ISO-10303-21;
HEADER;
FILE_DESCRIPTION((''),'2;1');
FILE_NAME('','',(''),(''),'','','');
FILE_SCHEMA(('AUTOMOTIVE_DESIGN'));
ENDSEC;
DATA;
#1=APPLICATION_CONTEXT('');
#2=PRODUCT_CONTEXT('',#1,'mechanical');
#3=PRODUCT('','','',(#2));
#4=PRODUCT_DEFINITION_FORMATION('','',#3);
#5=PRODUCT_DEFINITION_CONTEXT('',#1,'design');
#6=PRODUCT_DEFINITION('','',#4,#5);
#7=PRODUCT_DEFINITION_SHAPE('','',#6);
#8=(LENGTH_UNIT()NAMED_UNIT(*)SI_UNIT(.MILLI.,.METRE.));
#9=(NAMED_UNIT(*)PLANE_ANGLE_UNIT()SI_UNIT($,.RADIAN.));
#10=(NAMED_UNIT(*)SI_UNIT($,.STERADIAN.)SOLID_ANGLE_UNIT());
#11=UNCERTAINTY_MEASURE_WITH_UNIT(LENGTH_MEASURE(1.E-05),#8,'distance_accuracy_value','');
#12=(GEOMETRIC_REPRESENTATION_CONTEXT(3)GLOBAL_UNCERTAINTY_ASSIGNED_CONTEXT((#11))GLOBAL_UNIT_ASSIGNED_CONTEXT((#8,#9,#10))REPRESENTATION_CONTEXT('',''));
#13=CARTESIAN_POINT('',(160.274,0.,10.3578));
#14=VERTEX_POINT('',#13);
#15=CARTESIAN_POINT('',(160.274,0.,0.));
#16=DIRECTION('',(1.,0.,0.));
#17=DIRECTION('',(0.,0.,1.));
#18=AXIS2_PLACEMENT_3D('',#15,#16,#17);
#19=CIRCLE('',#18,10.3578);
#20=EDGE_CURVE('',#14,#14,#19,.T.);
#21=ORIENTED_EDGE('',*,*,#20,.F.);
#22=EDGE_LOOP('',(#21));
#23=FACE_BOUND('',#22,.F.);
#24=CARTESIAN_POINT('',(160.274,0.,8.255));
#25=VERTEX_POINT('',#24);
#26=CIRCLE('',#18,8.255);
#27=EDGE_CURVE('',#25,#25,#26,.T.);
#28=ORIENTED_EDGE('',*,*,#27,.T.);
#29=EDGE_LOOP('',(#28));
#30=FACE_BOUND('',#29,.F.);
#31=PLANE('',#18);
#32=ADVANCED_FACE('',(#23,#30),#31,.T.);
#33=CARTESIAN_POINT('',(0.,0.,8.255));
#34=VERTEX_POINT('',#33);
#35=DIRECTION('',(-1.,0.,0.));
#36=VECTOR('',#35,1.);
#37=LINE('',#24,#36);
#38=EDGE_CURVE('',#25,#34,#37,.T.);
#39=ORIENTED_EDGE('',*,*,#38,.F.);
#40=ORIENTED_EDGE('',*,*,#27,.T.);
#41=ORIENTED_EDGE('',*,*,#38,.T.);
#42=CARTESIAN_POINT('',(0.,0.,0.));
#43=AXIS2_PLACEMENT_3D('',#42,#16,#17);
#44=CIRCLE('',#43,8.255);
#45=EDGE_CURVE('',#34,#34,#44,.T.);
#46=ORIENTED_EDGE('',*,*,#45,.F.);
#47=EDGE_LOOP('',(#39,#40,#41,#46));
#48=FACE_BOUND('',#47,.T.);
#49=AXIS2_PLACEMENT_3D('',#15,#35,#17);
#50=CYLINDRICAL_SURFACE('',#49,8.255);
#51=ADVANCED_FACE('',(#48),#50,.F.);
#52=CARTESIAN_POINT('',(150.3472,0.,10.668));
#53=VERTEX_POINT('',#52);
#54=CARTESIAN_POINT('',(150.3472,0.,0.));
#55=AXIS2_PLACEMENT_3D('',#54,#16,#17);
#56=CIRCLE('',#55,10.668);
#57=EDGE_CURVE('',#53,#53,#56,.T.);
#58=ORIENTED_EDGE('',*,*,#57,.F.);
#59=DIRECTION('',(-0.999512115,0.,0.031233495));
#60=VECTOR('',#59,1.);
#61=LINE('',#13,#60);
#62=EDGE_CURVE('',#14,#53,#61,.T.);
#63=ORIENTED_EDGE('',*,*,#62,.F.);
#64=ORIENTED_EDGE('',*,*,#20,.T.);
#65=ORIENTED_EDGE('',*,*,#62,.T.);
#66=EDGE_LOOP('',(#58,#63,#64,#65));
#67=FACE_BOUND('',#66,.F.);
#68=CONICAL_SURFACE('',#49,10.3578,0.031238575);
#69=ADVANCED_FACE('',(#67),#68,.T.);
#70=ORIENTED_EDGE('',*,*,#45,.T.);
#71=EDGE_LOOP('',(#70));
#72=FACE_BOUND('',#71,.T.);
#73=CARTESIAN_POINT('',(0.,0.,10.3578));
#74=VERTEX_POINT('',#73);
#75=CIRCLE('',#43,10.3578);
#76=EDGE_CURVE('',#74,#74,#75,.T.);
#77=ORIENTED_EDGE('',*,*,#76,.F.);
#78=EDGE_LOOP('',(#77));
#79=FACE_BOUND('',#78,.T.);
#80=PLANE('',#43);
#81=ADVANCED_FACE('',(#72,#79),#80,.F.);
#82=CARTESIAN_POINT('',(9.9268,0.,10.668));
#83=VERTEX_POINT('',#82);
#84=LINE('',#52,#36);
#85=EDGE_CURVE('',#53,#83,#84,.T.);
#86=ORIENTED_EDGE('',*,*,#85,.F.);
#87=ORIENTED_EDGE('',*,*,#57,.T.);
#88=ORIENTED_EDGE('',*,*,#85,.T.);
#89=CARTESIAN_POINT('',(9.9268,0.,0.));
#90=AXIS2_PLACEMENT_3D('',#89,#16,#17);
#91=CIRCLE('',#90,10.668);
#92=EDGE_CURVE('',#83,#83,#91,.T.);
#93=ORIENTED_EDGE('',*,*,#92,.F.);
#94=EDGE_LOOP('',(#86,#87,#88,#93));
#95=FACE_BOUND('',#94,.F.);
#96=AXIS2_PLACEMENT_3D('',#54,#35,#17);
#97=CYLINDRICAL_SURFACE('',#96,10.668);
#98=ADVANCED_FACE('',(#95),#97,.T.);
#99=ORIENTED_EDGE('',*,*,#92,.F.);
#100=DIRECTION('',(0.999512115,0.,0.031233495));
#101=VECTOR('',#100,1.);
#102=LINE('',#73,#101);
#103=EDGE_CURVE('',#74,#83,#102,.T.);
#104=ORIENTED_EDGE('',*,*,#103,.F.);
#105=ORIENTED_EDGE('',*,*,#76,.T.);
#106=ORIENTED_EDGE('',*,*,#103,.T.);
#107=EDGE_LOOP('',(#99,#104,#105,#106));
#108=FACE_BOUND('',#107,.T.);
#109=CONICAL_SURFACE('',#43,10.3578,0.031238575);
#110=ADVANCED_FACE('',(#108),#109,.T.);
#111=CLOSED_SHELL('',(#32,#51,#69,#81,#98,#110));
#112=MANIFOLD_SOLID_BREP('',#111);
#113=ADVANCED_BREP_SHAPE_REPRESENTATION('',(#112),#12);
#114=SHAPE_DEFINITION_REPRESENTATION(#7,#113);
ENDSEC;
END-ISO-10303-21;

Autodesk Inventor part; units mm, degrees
ref_plane "YZ Plane" through (0, 0, 0) normal (1, 0, 0) x (0, 1, 0)
ref_plane "XZ Plane" through (0, 0, 0) normal (0, 1, 0) x (-1, 0, 0)
ref_plane "XY Plane" through (0, 0, 0) normal (0, 0, 1) x (1, 0, 0)
sketch "Sketch1" plane through (0, 0, 0) normal (0, 1, 0) x (-1, 0, 0)
  line L0 (0, 0) -> (-160.274, 0)
  line L1 (-160.274, 0) -> (-160.274, 8.255) construction
  line L2 (-160.274, 8.255) -> (-160.274, 10.3578)
  line L3 (-160.274, 10.3578) -> (-150.3472, 10.668)
  line L4 (-150.3472, 10.668) -> (-9.9268, 10.668)
  line L5 (-80.137, 0) -> (-80.137, 10.668) construction
  line L6 (-160.274, 8.255) -> (0, 8.255)
  line L7 (0, 0) -> (0, 8.255) construction
  line L8 (0, 8.255) -> (0, 10.3578)
  line L9 (0, 10.3578) -> (-9.9268, 10.668)
  line L10 (-146.718, 10.7814) -> (-146.718, 0) construction
  line L11 (-13.556, 10.7814) -> (-13.556, 0) construction
  line L12 (-150.3472, 10.668) -> (-146.718, 10.7814) construction
  line L13 (-150.3472, 10.668) -> (-150.3472, 0) construction
  line L14 (-9.9268, 10.668) -> (-13.556, 10.7814) construction
  line L15 (-9.9268, 10.668) -> (-9.9268, 0) construction
  dimension "d0" = 21.336
  dimension "d1" = 1.79
  dimension "d2" = 16.51
  dimension "d3" = 160.274
  dimension "d4" = 13.556
  dimension "d5" = 21.5628
revolve "Revolution1" add sketch "Sketch1" angle 360 about axis through (0, 0, 0) along (1, 0, 0)
thread "Thread1" size "1/2" designation "1/2 - 14 NPT" standard "NPT" full length
thread "Thread2" size "1/2" designation "1/2 - 14 NPT" standard "NPT" full length
equation "\"d0\" = OD"
equation "\"d2\" = ID"
equation "\"d3\" = L"
equation "\"d4\" = L2"
equation "\"d5\" = D2"
equation "\"OD\" = 21.336"
equation "\"t\" = 2.413"
equation "\"L\" = PL"
equation "\"L4\" = 19.8501"
equation "\"ID\" = 16.51"
equation "\"PL\" = 160.274"
equation "\"D2\" = 21.56282"
equation "\"L2\" = 13.55598"
equation "\"Size_Designation\" = 1.2345"
equation "\"PLmin\" = 2 * L2"
properties material "Steel, Wrought"
